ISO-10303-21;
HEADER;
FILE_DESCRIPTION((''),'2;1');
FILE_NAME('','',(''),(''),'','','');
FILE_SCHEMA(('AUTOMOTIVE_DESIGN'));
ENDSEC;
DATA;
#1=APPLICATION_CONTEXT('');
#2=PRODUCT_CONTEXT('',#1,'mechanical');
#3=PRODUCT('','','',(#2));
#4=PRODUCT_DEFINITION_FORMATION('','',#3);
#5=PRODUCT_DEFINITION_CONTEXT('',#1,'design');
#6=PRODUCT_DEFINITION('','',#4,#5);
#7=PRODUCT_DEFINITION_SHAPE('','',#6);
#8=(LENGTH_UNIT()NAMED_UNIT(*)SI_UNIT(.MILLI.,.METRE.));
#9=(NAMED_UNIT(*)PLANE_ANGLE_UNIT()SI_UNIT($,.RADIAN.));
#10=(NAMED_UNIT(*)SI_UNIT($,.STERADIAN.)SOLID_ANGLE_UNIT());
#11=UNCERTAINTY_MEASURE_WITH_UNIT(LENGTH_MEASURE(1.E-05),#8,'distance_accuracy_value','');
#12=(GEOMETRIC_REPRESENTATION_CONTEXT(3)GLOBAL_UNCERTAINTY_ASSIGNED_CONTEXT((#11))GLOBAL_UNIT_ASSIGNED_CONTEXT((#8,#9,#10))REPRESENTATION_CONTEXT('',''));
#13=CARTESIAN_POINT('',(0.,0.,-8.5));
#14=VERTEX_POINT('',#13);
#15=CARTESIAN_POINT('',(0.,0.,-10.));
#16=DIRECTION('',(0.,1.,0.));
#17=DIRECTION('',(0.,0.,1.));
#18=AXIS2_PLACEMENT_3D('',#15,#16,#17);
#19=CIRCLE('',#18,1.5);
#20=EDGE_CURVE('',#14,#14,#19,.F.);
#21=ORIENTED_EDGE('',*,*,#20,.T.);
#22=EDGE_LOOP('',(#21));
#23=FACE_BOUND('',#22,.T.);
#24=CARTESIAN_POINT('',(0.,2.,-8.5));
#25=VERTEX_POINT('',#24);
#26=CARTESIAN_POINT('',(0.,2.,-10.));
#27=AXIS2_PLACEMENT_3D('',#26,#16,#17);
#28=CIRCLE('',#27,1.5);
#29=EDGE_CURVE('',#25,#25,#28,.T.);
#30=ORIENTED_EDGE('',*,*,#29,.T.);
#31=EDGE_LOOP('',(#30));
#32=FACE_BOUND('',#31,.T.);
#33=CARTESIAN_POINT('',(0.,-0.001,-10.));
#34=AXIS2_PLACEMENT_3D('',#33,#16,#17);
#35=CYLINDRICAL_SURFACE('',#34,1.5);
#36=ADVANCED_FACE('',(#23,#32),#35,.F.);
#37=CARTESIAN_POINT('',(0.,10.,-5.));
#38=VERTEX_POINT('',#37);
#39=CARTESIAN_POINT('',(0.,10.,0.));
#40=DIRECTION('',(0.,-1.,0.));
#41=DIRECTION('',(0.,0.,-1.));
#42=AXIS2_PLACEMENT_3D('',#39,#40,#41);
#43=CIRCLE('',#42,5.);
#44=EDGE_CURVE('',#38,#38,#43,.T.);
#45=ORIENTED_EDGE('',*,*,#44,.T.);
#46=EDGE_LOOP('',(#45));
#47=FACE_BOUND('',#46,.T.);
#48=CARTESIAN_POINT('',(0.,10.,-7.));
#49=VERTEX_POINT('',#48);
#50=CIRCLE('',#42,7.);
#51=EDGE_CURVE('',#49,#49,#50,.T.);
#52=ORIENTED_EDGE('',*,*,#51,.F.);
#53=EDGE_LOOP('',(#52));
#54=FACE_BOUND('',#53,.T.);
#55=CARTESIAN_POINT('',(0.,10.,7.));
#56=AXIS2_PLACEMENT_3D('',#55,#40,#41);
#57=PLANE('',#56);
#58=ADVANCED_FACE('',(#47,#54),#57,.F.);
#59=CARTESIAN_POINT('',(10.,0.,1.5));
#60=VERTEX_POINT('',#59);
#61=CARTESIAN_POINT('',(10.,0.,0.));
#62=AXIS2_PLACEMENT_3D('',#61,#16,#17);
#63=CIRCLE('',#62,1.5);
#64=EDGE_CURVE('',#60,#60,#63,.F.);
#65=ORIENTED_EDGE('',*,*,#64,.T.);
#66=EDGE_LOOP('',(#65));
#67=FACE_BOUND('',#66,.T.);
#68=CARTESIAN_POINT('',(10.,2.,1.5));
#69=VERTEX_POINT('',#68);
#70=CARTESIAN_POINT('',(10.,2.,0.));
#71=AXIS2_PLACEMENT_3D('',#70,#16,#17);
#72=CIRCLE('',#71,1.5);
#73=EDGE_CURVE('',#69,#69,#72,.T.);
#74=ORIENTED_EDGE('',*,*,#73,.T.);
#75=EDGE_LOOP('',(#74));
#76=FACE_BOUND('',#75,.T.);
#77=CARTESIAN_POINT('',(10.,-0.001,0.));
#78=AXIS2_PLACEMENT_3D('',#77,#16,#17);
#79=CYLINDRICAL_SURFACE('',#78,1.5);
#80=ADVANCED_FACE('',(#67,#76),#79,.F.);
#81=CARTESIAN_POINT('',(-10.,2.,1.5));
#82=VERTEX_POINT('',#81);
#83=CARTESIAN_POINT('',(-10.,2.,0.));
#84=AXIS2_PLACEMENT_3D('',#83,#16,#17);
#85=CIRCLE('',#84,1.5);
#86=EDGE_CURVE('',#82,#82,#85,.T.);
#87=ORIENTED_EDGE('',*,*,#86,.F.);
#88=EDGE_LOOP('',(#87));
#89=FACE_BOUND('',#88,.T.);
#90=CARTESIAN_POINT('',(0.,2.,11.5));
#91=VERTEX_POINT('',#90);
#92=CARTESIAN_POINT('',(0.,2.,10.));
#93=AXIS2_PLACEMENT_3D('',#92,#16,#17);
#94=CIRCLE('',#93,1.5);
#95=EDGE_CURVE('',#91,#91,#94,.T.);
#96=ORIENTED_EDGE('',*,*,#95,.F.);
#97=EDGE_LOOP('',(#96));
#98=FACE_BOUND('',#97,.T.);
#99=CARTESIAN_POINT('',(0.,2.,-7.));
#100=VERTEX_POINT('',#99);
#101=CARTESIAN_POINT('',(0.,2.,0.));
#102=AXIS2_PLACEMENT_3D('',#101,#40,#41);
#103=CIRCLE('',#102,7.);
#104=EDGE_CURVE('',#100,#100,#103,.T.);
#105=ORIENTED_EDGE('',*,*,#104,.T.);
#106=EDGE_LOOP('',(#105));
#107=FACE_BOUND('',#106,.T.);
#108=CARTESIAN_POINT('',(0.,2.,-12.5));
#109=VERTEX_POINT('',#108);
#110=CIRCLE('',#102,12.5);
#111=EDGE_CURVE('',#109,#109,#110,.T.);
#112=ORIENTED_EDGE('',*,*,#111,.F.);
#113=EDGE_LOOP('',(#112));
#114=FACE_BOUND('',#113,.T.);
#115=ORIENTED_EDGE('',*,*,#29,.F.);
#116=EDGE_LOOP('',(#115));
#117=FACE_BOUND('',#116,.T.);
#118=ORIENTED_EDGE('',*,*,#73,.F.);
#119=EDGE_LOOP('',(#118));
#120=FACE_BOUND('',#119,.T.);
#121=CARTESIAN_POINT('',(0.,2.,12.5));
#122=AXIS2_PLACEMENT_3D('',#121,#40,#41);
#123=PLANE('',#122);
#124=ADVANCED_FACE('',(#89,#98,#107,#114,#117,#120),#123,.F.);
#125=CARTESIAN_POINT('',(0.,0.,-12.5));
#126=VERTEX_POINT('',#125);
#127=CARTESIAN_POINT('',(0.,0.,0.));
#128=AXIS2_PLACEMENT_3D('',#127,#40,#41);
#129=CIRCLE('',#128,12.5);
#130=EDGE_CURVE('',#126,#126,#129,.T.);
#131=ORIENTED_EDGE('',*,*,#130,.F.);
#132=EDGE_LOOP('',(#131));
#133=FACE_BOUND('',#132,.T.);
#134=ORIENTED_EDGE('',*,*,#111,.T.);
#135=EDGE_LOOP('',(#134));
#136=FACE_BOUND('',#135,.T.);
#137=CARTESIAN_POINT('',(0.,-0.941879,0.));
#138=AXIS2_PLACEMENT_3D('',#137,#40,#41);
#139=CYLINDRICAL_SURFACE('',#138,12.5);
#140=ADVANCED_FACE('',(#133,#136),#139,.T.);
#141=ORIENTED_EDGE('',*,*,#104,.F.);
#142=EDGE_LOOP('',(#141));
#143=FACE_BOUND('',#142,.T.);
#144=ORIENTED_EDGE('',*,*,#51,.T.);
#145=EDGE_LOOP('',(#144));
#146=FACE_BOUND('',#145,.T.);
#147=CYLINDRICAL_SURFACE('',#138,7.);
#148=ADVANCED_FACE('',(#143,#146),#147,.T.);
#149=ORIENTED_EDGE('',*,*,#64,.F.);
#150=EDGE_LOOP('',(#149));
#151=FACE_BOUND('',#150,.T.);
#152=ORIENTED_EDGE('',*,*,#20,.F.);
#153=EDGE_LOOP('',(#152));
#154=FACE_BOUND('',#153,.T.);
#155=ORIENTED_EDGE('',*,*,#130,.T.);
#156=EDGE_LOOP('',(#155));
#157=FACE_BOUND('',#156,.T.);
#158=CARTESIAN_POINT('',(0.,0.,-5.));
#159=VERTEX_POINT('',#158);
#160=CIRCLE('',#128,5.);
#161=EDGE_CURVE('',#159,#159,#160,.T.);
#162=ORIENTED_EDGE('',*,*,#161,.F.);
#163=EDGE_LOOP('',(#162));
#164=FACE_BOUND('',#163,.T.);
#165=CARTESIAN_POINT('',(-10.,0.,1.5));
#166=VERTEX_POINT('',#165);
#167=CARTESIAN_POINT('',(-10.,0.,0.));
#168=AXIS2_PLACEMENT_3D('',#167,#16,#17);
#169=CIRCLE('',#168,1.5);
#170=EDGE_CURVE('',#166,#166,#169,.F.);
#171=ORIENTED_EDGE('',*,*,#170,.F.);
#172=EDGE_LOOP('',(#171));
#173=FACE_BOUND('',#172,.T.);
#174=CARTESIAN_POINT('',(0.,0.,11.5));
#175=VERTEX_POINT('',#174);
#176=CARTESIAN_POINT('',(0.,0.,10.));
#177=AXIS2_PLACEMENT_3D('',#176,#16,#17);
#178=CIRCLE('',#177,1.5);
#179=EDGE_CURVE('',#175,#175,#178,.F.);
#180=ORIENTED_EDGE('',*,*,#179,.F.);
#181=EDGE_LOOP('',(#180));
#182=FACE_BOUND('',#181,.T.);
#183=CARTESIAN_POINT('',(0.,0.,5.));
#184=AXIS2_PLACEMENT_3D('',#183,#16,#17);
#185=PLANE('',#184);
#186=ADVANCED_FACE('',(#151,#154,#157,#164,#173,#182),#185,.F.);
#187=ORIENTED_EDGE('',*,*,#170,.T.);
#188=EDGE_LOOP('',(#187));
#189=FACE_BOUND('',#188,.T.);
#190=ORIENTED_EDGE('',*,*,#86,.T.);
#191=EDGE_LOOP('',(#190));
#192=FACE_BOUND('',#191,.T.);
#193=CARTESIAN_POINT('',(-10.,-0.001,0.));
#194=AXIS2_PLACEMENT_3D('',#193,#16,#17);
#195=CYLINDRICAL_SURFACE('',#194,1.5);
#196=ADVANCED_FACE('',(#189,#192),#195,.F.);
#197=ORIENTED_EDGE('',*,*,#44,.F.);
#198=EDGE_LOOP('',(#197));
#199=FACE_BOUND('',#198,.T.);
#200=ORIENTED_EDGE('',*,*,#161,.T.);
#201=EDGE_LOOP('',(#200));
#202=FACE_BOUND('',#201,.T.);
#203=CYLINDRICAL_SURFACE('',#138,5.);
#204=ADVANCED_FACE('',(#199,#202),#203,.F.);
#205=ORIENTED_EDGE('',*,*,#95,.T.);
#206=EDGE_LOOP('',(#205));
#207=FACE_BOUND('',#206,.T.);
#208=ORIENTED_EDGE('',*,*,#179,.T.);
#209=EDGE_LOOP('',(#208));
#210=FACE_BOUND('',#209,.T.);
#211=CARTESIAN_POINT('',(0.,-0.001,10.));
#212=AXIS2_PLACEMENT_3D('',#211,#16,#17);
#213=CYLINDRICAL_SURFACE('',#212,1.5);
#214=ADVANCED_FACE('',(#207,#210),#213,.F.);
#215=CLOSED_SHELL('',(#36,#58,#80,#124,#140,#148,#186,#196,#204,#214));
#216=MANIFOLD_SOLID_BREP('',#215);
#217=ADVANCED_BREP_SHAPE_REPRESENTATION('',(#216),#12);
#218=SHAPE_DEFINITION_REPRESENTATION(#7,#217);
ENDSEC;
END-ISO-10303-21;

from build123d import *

# Parameters (mm, degrees)
CUT_EXTRUDE1_REACH = 21.404
SKETCH2_R          = 1.5


with BuildPart() as part:
    # Sketch1 → Revolve1 (revolve)
    with BuildSketch(Plane(origin=(0, 0, 0), x_dir=(0, 0, -1), z_dir=(1, 0, 0)), mode=Mode.PRIVATE) as revolve1_sk:
        Polygon((-5, 0), (-12.5, 0), (-12.5, 2), (-7, 2), (-7, 10), (-5, 10), align=None)
    revolve(revolve1_sk.sketch.rotate(Axis((0, -0.941879477, 0), (0, 1, 0)), 180), axis=Axis((0, -0.941879477, 0), (0, 1, 0)))

    # Sketch2 → Cut-Extrude1 (cut, up to next)
    with BuildSketch(Plane(origin=(0, 2, 0), x_dir=(1, 0, 0), z_dir=(0, 1, 0)), mode=Mode.PRIVATE) as cut_extrude1_sk1:
        with Locations(Location((0, 10, 0), (0, 0, 270))):
            Circle(SKETCH2_R)
    cut_extrude1_tool1 = extrude(cut_extrude1_sk1.sketch, amount=-CUT_EXTRUDE1_REACH, mode=Mode.PRIVATE) & part.part
    # Sketch2 → Cut-Extrude1 (cut, up to next)
    with BuildSketch(Plane(origin=(0, 2, 0), x_dir=(1, 0, 0), z_dir=(0, 1, 0)), mode=Mode.PRIVATE) as cut_extrude1_sk2:
        with Locations(Location((10, 0, 0), (0, 0, 270))):
            Circle(SKETCH2_R)
    cut_extrude1_tool2 = extrude(cut_extrude1_sk2.sketch, amount=-CUT_EXTRUDE1_REACH, mode=Mode.PRIVATE) & part.part
    # Sketch2 → Cut-Extrude1 (cut, up to next)
    with BuildSketch(Plane(origin=(0, 2, 0), x_dir=(1, 0, 0), z_dir=(0, 1, 0)), mode=Mode.PRIVATE) as cut_extrude1_sk3:
        with Locations(Location((0, -10, 0), (0, 0, 270))):
            Circle(SKETCH2_R)
    cut_extrude1_tool3 = extrude(cut_extrude1_sk3.sketch, amount=-CUT_EXTRUDE1_REACH, mode=Mode.PRIVATE) & part.part
    # Sketch2 → Cut-Extrude1 (cut, up to next)
    with BuildSketch(Plane(origin=(0, 2, 0), x_dir=(1, 0, 0), z_dir=(0, 1, 0)), mode=Mode.PRIVATE) as cut_extrude1_sk4:
        with Locations(Location((-10, 0, 0), (0, 0, 270))):
            Circle(SKETCH2_R)
    cut_extrude1_tool4 = extrude(cut_extrude1_sk4.sketch, amount=-CUT_EXTRUDE1_REACH, mode=Mode.PRIVATE) & part.part
    add(cut_extrude1_tool1.solids().sort_by_distance((0, 2, -10))[0], mode=Mode.SUBTRACT)
    add(cut_extrude1_tool2.solids().sort_by_distance((10, 2, 0))[0], mode=Mode.SUBTRACT)
    add(cut_extrude1_tool3.solids().sort_by_distance((0, 2, 10))[0], mode=Mode.SUBTRACT)
    add(cut_extrude1_tool4.solids().sort_by_distance((-10, 2, 0))[0], mode=Mode.SUBTRACT)


solid = part.part
